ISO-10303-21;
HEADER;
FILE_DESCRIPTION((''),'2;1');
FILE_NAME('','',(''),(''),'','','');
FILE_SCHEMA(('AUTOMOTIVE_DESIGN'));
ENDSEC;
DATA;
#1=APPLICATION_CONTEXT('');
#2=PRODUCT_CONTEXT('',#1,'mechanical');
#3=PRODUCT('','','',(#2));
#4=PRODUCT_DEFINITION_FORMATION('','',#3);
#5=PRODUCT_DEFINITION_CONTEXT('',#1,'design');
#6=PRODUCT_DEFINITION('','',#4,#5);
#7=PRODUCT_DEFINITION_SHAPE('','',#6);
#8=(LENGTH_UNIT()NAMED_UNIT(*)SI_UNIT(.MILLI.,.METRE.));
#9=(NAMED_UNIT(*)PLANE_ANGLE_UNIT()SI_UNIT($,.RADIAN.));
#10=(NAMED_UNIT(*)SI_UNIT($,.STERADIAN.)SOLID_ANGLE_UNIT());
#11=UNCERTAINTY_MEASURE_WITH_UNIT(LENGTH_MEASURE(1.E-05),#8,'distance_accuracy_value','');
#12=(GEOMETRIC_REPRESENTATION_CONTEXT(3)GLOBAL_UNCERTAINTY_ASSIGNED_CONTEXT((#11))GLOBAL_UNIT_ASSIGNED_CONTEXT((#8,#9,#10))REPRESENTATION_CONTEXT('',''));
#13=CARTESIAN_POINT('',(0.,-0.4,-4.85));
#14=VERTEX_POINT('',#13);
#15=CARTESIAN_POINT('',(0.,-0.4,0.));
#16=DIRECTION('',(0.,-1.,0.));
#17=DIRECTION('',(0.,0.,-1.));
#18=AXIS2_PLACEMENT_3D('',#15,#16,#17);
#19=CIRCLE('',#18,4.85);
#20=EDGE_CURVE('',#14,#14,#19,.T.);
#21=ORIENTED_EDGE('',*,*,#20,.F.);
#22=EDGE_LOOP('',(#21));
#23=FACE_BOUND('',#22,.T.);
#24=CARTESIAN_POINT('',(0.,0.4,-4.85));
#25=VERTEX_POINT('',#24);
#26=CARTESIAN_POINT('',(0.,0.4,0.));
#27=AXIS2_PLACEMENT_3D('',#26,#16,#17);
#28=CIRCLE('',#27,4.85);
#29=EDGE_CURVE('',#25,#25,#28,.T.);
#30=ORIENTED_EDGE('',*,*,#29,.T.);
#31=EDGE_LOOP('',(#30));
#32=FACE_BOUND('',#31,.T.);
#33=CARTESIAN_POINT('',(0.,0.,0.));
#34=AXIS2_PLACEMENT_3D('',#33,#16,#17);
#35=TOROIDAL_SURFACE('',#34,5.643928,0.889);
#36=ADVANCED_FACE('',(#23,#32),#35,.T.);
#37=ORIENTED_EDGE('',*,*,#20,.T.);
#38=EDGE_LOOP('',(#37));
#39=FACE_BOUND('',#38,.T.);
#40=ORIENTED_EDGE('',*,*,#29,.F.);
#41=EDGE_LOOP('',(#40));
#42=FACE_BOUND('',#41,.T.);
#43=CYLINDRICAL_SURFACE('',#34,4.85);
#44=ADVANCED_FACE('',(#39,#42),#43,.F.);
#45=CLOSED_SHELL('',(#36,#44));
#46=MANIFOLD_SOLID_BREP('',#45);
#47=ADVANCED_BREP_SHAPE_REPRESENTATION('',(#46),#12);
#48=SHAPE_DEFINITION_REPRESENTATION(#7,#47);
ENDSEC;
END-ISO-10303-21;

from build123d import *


with BuildPart() as part:
    # Sketch1 → Revolve1 (revolve)
    with BuildSketch(Plane.XY):
        with BuildLine():
            Line((-4.85, 0.4), (-4.85, -0.4))
            ThreePointArc((-4.85, -0.4), (-6.532927579, 0), (-4.85, 0.4))
        make_face()
    revolve(axis=Axis((0, 0, 0), (0, 1, 0)))


solid = part.part
